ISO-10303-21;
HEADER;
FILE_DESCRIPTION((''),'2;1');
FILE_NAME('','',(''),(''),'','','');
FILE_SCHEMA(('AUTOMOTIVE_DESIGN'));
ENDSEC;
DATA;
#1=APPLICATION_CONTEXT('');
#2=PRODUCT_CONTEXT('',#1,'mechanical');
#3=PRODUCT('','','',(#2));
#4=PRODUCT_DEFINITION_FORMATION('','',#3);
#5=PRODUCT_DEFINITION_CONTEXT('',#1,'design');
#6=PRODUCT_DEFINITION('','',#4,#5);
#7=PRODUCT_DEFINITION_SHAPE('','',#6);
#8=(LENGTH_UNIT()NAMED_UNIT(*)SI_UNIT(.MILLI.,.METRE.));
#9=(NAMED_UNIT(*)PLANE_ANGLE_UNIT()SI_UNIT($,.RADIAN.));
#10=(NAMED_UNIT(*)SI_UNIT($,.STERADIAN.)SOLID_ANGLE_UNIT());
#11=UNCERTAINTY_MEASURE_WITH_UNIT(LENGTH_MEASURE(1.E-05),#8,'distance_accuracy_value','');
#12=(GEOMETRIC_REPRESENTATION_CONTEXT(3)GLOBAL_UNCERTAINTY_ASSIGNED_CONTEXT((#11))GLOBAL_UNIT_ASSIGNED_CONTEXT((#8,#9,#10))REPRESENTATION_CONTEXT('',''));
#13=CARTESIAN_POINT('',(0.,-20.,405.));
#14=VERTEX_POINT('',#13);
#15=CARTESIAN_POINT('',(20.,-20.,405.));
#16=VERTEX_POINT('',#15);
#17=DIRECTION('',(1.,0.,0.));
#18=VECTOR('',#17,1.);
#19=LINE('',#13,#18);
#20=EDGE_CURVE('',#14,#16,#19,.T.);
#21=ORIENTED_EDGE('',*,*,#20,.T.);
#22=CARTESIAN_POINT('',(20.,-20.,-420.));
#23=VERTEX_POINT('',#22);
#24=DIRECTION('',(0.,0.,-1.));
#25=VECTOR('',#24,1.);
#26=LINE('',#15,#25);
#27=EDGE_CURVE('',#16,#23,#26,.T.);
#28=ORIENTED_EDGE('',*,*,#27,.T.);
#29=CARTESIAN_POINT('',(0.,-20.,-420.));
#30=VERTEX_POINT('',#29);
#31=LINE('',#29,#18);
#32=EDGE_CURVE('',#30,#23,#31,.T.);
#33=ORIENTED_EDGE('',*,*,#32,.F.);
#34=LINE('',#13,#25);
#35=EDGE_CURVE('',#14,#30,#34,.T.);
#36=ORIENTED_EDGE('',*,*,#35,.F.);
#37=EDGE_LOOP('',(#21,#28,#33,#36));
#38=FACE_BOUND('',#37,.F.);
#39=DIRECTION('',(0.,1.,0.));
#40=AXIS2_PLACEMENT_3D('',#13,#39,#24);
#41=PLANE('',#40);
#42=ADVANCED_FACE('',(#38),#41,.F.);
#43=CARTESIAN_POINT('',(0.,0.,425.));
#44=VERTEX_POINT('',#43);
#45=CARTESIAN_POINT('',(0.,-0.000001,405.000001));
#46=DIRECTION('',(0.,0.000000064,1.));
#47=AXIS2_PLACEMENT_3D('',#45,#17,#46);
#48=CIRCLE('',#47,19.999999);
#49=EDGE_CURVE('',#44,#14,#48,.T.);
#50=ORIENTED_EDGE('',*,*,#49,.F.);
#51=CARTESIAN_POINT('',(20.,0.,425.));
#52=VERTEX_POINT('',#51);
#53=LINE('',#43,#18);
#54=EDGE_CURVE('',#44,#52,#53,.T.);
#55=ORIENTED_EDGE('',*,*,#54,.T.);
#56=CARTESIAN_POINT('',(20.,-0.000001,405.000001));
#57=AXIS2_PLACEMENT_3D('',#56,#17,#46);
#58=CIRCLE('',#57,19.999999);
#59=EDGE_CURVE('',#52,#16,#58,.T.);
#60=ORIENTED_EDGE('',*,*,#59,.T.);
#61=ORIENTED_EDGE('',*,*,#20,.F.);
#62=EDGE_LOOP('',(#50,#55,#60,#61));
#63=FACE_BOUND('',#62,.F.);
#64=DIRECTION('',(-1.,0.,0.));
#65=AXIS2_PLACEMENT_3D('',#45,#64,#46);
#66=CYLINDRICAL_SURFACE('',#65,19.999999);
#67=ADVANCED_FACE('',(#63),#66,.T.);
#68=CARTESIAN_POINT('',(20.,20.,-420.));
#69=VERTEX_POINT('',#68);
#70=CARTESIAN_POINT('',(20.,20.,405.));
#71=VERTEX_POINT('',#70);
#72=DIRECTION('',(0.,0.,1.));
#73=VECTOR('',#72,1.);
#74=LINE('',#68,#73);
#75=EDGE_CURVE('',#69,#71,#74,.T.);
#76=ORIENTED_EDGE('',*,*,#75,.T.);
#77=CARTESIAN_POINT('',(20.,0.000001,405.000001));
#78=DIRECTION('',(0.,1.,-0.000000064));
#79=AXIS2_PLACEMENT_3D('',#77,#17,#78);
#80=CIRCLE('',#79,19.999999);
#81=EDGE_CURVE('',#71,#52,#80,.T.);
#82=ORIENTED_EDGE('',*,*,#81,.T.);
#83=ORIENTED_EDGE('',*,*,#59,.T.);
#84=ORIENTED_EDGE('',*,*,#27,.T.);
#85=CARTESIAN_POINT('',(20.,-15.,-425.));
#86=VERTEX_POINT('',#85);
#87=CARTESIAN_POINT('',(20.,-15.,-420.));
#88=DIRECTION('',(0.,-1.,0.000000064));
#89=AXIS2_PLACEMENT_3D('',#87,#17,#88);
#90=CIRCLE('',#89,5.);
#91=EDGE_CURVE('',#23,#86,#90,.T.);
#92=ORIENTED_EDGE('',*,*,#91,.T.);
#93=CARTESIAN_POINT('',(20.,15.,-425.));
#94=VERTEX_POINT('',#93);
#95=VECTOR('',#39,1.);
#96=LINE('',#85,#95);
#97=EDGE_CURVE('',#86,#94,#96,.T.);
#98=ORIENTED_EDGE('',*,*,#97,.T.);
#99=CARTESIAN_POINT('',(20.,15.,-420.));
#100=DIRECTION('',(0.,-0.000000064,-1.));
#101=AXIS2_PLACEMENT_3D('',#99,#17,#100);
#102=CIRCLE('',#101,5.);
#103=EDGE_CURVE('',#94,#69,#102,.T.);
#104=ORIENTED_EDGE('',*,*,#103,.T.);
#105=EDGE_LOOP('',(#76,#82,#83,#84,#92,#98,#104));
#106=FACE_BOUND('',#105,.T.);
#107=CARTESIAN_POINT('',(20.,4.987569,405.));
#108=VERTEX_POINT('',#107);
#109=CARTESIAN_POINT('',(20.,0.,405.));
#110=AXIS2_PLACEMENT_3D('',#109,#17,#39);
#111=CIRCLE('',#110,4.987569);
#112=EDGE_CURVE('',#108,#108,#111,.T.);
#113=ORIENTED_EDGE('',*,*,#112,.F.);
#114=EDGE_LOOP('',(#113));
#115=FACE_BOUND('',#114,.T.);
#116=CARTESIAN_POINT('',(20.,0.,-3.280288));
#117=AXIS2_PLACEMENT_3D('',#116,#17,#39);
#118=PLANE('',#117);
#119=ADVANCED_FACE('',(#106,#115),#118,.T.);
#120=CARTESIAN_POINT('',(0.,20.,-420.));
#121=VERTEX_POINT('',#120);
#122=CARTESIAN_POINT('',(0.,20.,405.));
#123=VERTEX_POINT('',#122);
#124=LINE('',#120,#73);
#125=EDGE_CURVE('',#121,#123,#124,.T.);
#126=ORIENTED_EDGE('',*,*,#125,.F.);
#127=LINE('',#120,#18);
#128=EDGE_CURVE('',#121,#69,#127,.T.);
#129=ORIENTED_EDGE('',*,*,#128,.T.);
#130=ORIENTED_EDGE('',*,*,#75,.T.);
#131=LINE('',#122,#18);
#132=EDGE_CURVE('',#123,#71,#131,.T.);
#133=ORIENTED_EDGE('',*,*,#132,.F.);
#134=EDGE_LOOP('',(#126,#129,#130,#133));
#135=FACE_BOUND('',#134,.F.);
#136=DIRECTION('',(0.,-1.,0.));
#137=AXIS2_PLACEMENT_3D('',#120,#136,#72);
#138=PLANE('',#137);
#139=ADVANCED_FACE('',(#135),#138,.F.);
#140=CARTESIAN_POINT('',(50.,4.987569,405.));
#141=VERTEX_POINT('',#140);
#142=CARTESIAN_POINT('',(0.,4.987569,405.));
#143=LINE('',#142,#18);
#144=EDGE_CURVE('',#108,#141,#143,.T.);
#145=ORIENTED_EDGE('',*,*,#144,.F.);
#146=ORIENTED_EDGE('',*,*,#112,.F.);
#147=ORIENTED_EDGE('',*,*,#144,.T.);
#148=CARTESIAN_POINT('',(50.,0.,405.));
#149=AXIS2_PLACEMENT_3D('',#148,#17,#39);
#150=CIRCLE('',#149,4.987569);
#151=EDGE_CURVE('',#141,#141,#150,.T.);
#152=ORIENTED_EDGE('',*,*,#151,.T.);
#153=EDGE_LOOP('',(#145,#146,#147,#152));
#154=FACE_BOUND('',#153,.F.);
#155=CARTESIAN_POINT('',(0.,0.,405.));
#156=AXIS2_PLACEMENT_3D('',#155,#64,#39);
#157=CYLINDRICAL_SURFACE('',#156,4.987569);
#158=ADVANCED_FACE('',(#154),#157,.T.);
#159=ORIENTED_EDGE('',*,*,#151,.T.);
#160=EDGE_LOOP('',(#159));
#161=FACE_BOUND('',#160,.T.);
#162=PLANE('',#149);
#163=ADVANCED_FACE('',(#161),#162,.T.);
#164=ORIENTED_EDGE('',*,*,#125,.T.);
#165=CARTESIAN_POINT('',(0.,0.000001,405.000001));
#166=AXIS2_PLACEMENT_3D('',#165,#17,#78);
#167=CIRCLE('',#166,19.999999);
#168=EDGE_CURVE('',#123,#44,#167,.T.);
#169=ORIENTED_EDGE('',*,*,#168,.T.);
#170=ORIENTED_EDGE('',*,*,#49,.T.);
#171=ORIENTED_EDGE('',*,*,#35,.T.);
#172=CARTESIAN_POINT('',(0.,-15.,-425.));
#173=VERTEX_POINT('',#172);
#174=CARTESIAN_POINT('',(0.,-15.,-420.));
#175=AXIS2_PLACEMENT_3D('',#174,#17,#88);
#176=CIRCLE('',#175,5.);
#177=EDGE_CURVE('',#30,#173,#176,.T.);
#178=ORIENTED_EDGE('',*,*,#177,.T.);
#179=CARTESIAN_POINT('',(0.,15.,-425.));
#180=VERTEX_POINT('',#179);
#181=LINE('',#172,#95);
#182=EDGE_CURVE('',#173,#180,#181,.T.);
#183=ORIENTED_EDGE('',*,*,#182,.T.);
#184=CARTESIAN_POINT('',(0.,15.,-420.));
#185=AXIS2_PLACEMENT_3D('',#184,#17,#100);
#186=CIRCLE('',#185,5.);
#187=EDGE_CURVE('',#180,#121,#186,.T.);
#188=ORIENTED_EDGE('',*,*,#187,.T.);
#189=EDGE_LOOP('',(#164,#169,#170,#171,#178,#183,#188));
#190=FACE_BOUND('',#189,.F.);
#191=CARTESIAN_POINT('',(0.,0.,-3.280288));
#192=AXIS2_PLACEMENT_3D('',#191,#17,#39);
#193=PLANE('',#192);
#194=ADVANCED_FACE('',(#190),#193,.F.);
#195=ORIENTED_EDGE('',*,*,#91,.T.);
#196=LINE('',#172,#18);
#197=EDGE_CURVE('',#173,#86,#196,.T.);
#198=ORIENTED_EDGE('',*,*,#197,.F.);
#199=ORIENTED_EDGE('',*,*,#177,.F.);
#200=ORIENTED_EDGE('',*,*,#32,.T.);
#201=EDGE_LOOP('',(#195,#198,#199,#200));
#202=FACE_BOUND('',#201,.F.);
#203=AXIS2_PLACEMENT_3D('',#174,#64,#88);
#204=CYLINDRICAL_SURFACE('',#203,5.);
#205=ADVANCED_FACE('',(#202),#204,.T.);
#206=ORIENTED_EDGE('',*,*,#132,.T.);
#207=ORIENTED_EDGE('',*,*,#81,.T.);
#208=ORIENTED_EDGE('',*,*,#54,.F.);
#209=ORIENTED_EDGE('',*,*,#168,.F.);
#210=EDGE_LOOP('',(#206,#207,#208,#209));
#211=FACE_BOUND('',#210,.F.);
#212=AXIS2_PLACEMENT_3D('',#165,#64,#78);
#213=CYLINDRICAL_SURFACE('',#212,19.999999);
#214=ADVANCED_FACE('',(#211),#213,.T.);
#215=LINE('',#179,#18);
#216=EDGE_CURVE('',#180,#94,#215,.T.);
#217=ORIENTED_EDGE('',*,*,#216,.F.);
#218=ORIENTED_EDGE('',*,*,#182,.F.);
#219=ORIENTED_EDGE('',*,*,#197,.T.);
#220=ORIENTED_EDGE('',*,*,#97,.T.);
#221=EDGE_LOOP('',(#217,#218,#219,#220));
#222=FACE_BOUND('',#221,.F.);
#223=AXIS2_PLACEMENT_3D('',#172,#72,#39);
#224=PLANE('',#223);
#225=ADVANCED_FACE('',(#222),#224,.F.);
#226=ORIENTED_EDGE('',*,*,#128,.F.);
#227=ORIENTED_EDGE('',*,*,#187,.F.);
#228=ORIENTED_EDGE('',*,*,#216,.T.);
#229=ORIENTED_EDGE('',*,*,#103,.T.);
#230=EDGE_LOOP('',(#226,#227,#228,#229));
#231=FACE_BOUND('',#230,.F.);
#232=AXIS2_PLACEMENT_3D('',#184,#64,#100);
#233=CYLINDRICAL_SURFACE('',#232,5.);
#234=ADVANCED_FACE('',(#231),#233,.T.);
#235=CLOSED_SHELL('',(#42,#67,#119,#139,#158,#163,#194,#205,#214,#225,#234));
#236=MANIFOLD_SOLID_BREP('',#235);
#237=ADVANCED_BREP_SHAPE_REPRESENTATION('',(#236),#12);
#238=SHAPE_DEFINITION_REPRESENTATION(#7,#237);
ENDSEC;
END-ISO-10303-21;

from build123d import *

# Parameters (mm, degrees)
F0_R     = 4.987569
F1_DEPTH = 20
F2_DEPTH = 50


with BuildPart() as f1:
    # F0 (on Right) → F1 (new body)
    with BuildSketch(Plane.YZ):
        with BuildLine():
            ThreePointArc((-20, -420), (-18.535534, -423.535534), (-15, -425))
            Line((-15, -425), (15, -425))
            ThreePointArc((15, -425), (18.535534, -423.535534), (20, -420))
            Line((20, -420), (20, 405))
            ThreePointArc((20, 405), (14.142136, 419.142136), (0, 425))
            ThreePointArc((0, 425), (-14.142136, 419.142136), (-20, 405))
            Line((-20, 405), (-20, -420))
        make_face()
        with Locations((0, 405)):
            Circle(F0_R, mode=Mode.SUBTRACT)
    extrude(amount=F1_DEPTH)

    # F0 (on Right) → F2 (join)
    with BuildSketch(Plane.YZ):
        with Locations((0, 405)):
            Circle(F0_R)
    extrude(amount=F2_DEPTH)


solid = f1.part
